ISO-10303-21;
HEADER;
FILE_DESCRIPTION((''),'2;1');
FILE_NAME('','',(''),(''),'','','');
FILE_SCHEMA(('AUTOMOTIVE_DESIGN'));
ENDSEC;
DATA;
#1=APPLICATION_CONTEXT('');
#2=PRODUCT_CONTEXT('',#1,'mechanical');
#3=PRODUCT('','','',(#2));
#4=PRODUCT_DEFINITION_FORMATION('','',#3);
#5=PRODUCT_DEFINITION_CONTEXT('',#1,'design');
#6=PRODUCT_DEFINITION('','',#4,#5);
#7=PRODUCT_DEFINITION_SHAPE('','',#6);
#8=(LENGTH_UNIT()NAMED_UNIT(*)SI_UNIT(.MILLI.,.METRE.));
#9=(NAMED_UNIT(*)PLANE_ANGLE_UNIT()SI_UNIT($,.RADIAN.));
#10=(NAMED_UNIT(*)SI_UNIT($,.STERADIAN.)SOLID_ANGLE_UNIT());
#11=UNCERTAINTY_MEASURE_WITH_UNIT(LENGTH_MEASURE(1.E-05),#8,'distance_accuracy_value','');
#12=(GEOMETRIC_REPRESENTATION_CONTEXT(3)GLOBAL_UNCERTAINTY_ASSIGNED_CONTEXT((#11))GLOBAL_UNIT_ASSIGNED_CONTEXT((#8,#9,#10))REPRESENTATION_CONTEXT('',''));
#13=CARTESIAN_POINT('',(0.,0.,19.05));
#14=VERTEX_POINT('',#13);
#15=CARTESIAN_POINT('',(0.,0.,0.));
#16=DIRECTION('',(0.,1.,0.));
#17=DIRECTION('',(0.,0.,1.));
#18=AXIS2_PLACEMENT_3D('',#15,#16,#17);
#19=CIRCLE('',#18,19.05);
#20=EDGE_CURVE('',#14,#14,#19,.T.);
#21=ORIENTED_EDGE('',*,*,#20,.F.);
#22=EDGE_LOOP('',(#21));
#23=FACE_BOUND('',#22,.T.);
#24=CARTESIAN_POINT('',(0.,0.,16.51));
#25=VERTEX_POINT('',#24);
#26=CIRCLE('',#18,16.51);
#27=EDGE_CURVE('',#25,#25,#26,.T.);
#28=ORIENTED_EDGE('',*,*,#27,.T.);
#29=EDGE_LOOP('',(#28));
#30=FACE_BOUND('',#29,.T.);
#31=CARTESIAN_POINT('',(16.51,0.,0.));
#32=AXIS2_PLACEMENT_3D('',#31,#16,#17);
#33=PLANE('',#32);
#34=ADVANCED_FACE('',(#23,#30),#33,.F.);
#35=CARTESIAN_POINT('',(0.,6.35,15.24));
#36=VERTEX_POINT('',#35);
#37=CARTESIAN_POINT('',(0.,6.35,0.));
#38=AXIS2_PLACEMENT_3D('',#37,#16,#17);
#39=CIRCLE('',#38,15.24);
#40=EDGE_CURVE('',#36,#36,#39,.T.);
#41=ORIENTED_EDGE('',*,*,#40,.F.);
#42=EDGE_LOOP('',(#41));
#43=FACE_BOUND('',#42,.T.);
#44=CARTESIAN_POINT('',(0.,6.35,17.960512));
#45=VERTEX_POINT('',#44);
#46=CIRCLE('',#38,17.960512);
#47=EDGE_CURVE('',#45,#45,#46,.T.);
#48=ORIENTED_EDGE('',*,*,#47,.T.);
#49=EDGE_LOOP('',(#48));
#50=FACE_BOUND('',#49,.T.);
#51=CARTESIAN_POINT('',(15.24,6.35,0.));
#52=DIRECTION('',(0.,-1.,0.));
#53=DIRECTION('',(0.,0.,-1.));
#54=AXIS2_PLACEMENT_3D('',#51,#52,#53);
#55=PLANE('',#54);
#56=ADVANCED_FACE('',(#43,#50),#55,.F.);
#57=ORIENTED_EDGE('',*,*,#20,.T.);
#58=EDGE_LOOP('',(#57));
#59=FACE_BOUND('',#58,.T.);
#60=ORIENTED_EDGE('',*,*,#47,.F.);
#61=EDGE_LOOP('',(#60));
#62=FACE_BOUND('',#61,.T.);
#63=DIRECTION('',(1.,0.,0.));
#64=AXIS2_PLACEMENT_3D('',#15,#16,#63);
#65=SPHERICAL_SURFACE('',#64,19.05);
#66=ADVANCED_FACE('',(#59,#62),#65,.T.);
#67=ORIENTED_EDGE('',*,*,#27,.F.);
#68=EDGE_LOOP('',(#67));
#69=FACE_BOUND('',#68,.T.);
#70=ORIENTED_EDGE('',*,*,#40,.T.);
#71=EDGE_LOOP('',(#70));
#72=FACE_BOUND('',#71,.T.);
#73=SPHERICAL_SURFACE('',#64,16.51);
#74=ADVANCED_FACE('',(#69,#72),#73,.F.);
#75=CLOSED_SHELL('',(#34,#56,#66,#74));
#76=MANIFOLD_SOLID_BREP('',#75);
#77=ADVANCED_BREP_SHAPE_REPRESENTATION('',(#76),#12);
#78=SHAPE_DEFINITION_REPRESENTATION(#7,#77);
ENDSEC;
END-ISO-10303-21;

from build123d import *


with BuildPart() as part:
    # Sketch1 → Revolve2 (revolve)
    with BuildSketch(Plane.XY, mode=Mode.PRIVATE) as revolve2_sk:
        with BuildLine():
            Line((16.51, 0), (19.05, 0))
            ThreePointArc((19.05, 0), (18.775652561, 3.221392695), (17.960512242, 6.35))
            Line((17.960512242, 6.35), (15.24, 6.35))
            ThreePointArc((15.24, 6.35), (16.189386956, 3.237877391), (16.51, 0))
        make_face()
    revolve(revolve2_sk.sketch.rotate(Axis((0, 19.05, 0), (0, -1, 0)), 90), axis=Axis((0, 19.05, 0), (0, -1, 0)))


solid = part.part
